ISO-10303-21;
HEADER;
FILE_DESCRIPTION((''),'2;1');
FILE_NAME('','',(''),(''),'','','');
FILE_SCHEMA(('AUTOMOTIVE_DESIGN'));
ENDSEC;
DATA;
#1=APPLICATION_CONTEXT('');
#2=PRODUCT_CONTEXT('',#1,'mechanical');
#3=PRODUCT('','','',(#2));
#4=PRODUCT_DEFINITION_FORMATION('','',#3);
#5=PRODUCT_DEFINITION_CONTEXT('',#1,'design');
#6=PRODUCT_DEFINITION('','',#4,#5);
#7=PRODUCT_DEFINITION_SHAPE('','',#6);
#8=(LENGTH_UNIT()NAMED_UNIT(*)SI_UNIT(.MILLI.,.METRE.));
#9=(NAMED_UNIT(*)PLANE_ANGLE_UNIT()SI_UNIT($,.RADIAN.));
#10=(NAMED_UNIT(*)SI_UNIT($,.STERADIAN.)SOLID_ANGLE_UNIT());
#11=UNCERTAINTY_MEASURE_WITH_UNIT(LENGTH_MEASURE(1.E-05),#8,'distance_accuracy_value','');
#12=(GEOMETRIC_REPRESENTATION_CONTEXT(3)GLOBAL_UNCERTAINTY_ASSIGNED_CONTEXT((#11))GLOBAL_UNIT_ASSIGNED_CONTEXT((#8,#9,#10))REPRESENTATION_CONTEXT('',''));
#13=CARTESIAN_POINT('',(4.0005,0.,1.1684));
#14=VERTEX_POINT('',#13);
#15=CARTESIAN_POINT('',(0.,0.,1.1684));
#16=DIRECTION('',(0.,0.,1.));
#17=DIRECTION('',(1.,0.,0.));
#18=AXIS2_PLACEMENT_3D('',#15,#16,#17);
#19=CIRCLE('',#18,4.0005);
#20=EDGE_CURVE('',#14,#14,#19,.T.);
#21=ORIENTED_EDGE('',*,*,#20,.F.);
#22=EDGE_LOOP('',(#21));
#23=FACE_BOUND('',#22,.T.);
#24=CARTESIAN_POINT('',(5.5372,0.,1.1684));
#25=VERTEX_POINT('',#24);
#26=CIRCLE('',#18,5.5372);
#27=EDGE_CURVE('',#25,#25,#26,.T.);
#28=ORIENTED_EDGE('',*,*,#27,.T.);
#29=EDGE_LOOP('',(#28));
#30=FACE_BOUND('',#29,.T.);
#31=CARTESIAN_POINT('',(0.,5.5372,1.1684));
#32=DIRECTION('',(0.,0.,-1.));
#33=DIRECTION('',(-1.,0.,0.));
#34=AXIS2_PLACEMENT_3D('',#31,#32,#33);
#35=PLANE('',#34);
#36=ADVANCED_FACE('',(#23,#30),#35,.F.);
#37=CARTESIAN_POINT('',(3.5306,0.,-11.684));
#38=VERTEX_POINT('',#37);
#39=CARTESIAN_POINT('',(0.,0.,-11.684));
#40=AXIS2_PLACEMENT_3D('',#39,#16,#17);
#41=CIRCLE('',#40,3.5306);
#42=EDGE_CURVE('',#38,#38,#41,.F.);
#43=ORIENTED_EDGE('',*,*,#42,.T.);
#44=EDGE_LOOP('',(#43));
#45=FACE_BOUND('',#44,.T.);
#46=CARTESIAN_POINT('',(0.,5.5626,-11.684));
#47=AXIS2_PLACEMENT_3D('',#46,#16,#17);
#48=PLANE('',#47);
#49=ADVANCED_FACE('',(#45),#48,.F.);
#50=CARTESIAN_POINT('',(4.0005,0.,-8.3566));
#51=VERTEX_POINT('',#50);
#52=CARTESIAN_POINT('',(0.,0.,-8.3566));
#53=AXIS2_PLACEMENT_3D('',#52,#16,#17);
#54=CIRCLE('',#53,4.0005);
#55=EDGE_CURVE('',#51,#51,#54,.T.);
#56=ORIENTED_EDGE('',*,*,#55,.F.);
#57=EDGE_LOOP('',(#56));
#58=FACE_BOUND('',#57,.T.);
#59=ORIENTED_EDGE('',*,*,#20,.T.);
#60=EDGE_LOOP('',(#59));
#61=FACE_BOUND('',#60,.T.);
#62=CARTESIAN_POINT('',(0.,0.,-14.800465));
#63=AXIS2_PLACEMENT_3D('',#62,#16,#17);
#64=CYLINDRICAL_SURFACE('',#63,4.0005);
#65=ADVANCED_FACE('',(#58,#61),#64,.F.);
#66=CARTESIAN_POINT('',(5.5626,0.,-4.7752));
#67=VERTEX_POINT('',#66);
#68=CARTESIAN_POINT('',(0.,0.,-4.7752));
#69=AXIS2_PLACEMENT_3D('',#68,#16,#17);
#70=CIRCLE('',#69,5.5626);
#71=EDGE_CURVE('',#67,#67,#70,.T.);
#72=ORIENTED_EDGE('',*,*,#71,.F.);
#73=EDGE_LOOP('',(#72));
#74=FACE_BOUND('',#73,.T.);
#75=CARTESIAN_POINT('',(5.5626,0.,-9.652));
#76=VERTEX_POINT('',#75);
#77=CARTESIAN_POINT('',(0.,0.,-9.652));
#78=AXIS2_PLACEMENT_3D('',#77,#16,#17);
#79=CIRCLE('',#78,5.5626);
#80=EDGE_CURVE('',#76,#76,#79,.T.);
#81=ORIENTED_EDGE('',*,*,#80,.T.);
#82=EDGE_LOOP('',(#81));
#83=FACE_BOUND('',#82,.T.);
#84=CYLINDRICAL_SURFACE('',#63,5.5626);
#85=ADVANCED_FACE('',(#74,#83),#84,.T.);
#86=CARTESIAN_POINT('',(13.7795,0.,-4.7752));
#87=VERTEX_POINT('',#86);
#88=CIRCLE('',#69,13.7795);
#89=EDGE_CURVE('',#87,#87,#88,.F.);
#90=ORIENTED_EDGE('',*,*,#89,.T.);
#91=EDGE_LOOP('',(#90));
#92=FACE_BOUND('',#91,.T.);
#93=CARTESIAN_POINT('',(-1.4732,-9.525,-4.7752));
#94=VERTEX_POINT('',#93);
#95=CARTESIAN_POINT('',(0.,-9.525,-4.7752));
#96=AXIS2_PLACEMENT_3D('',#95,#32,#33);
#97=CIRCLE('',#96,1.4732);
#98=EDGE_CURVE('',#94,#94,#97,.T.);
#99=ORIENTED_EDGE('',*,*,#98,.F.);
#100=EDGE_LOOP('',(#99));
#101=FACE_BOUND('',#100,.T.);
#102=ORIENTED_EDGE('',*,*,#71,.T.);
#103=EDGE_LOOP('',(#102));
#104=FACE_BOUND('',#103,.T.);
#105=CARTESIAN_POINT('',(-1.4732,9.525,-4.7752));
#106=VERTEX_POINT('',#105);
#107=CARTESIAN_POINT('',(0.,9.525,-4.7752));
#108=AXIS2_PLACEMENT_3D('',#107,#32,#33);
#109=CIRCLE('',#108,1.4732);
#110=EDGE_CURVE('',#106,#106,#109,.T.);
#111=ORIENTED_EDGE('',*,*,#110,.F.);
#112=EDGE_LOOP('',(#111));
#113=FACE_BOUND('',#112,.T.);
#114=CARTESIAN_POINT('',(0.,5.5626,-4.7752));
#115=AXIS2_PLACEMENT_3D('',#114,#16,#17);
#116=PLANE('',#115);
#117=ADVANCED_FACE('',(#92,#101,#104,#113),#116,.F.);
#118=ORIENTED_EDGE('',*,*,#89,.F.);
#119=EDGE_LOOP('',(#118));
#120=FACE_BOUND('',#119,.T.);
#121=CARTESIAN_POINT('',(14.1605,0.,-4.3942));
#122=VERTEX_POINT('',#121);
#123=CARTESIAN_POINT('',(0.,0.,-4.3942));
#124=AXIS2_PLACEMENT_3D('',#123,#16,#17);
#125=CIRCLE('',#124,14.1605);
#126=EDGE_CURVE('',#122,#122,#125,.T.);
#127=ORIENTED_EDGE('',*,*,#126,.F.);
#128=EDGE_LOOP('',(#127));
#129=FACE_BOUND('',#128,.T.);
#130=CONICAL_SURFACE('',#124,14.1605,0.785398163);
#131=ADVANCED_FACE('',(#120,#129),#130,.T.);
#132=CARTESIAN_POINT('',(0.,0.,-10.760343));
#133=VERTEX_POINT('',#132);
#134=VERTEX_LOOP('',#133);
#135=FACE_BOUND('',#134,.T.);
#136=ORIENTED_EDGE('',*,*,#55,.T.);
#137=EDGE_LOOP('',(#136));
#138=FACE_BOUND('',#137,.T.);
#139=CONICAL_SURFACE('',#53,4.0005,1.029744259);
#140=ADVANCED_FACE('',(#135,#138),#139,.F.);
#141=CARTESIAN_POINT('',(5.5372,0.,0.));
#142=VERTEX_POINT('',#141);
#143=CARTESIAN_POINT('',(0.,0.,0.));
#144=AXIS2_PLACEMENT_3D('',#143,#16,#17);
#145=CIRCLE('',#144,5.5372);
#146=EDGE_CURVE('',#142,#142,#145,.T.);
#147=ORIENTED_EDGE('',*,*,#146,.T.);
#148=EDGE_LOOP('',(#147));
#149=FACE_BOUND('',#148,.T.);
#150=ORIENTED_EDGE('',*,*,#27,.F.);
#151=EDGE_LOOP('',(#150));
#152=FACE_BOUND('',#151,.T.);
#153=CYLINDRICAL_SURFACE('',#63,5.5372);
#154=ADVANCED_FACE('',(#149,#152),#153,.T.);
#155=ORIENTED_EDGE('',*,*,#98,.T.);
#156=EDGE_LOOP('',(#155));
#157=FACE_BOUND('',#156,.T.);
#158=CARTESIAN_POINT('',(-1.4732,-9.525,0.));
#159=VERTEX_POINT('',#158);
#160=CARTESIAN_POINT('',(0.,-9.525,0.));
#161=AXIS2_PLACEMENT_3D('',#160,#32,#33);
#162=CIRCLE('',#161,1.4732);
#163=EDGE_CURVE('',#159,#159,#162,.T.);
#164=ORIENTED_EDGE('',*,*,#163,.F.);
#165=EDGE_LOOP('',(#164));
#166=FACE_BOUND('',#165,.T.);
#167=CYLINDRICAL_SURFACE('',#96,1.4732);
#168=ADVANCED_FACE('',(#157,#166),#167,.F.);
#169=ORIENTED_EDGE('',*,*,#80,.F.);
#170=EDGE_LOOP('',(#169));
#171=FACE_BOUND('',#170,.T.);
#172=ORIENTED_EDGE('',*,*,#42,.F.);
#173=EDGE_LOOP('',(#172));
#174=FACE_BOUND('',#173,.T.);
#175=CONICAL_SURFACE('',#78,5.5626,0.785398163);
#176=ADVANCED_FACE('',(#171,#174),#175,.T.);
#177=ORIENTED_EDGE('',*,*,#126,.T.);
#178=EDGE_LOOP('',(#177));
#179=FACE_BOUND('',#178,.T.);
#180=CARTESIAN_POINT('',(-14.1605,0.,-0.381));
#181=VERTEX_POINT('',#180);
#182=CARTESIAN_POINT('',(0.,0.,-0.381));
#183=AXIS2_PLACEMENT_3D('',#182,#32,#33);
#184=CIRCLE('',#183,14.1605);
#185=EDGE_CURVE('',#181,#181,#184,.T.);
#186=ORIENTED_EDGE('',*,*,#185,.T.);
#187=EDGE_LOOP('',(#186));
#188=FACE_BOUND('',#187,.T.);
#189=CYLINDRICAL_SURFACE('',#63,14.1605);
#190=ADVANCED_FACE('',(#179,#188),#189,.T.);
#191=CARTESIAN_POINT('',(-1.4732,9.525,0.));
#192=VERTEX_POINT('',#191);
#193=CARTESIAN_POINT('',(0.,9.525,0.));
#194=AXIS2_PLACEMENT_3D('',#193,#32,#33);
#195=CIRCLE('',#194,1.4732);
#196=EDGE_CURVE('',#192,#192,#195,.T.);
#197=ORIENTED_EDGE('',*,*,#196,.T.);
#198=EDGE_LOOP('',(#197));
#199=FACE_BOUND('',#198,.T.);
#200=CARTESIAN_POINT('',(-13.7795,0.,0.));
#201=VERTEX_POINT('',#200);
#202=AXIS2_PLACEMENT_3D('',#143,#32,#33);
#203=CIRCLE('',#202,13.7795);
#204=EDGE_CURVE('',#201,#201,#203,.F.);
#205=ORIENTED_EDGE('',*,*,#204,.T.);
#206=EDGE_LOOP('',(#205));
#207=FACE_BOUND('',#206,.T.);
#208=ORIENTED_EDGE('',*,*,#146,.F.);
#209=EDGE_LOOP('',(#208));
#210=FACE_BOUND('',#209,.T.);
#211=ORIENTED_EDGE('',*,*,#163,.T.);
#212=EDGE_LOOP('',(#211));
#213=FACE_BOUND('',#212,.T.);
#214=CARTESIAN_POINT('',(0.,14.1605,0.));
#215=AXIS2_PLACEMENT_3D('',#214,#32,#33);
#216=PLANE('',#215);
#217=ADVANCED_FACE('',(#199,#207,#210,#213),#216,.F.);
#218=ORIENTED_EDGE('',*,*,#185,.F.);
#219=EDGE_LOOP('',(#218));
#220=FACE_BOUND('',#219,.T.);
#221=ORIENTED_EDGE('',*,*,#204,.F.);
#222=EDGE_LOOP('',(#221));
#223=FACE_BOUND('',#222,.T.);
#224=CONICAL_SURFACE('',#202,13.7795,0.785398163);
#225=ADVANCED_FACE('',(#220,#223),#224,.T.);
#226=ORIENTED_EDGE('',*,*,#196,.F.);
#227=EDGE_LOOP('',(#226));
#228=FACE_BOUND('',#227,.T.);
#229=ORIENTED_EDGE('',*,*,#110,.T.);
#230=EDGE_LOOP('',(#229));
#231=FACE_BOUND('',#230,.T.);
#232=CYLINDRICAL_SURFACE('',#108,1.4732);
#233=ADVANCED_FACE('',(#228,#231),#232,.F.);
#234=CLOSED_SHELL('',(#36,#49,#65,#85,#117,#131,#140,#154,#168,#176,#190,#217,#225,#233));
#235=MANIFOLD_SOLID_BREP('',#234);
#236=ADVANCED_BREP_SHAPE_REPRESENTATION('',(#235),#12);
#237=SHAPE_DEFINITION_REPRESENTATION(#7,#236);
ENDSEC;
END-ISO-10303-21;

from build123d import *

# Parameters (mm, degrees)
CHAMFER1_SIZE               = 0.381
F_32_0_116_DIAMETER_HOLE1_D = 2.9464
CHAMFER2_SIZE               = 2.032


with BuildPart() as part:
    # Sketch1 → Revolve1 (revolve)
    with BuildSketch(Plane(origin=(0, 0, 0), x_dir=(0, 0, -1), z_dir=(1, 0, 0)), mode=Mode.PRIVATE) as revolve1_sk:
        Polygon((0, 14.1605), (4.7752, 14.1605), (4.7752, 5.5626), (11.684, 5.5626), (11.684, 0), (10.760342906, 0), (8.3566, 4.0005), (-1.1684, 4.0005), (-1.1684, 5.5372), (0, 5.5372), align=None)
    revolve(revolve1_sk.sketch.rotate(Axis((0, 0, -14.800465311), (0, 0, -1)), 90), axis=Axis((0, 0, -14.800465311), (0, 0, -1)))

    # Chamfer1
    chamfer1_edges = [part.edges().sort_by_distance(p)[0] for p in [
        (-14.1605, 0, -4.7752),
        (-14.1605, 0, 0),
    ]]
    chamfer(chamfer1_edges, length=CHAMFER1_SIZE)

    # #32 (0.116) Diameter Hole1 (through all)
    with Locations(Plane(origin=(0, 0, -4.7752), x_dir=(-1, 0, 0), z_dir=(0, 0, -1))):
        with Locations((0, 9.525), (0, -9.525)):
            Hole(F_32_0_116_DIAMETER_HOLE1_D / 2)

    # Chamfer2
    chamfer2_edges = [part.edges().sort_by_distance(p)[0] for p in [
        (-5.5626, 0, -11.684),
    ]]
    chamfer(chamfer2_edges, length=CHAMFER2_SIZE)


solid = part.part
